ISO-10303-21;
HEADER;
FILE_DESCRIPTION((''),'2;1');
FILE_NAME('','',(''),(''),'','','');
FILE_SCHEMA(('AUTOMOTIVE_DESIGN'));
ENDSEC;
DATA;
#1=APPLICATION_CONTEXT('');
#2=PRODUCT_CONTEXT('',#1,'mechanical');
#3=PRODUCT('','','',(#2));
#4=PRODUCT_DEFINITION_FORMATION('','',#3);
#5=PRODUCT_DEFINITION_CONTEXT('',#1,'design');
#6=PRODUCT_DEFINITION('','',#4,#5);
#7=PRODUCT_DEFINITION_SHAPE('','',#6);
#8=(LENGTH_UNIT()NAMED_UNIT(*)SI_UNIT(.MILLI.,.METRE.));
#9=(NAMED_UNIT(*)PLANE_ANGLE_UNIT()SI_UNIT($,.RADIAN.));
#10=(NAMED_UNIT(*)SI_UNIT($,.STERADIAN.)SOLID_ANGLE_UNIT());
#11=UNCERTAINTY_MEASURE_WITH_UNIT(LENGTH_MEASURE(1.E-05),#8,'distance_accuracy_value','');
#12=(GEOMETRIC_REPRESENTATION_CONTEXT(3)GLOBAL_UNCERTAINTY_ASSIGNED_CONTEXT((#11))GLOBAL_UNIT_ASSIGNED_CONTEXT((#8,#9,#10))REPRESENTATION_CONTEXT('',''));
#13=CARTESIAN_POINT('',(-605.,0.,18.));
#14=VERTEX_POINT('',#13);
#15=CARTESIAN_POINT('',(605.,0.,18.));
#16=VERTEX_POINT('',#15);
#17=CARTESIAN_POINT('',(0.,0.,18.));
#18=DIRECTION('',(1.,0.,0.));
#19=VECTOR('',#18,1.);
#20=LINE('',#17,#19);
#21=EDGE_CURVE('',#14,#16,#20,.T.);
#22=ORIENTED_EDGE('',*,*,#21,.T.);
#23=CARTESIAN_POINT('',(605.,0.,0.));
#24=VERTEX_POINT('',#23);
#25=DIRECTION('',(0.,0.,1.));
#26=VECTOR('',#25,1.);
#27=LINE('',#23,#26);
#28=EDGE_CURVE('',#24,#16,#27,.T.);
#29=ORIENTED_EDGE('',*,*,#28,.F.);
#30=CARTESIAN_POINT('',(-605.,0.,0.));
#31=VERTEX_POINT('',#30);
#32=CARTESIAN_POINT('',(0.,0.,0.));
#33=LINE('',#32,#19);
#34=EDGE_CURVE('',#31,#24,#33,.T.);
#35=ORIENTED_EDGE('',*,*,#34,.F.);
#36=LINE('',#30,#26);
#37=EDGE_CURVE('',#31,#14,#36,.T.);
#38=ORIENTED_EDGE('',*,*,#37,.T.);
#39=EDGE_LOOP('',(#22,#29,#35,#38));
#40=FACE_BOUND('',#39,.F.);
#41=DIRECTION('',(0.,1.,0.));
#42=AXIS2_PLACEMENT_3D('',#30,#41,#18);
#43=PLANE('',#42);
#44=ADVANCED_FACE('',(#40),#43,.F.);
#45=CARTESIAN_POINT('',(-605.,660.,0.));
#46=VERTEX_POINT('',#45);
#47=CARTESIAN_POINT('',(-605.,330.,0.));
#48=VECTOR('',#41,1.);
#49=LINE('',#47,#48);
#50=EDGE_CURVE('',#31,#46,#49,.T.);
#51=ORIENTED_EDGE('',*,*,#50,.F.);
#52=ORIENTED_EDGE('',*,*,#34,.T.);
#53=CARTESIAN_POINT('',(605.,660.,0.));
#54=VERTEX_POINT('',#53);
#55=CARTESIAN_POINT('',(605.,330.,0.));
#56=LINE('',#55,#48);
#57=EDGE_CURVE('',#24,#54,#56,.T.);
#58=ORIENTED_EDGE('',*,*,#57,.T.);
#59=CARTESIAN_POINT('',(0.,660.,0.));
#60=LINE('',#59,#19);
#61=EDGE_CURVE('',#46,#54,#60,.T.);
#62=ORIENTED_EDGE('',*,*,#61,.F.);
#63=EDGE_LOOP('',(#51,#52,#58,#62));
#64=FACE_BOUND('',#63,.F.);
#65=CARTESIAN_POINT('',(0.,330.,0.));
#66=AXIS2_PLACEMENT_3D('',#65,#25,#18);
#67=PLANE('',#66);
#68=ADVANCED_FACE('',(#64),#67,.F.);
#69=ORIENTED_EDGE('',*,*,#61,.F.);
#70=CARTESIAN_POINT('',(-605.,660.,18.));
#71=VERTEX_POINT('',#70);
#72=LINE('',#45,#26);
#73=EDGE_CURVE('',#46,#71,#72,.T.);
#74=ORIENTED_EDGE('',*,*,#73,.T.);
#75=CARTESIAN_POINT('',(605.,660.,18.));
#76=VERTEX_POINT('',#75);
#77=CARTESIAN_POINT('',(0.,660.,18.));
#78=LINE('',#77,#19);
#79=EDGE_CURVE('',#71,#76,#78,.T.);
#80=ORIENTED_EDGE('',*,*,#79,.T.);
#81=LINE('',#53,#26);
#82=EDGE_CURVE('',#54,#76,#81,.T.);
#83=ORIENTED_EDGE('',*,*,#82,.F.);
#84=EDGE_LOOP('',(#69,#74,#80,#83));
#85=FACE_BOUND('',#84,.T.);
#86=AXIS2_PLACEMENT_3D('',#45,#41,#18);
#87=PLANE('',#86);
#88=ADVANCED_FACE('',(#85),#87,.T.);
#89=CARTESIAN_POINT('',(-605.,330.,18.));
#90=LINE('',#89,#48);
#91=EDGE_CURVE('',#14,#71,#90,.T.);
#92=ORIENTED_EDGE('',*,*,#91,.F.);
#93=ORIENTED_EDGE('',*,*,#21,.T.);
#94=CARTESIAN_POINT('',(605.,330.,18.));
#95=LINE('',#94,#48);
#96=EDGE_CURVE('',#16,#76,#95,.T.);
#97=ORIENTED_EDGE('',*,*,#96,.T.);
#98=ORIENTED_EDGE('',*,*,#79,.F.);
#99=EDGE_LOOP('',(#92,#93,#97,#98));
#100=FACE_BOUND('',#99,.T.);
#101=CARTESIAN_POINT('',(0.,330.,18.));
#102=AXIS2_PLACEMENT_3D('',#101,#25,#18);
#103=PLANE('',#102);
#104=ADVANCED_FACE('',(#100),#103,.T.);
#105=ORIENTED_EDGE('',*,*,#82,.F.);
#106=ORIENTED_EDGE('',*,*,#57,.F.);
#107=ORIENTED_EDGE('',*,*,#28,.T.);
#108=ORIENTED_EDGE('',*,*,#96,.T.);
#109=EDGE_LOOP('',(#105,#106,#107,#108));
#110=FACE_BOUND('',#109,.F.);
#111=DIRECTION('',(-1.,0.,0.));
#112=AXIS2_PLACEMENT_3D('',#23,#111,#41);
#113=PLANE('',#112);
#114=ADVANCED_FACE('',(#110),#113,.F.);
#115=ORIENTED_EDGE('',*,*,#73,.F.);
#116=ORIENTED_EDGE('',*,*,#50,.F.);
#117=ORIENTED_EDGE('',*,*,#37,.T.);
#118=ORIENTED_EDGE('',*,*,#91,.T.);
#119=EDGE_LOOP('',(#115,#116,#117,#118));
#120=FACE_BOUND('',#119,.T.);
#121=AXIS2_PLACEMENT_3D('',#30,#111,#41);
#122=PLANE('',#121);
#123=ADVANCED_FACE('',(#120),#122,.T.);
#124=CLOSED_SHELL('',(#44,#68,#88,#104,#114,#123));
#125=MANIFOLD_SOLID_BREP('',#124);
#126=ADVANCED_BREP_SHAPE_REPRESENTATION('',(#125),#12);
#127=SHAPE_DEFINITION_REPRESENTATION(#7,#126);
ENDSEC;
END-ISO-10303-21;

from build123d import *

# Parameters (mm, degrees)
F0_W     = 1210
F0_H     = 660
F1_DEPTH = 18


with BuildPart() as f1:
    # F0 (on Top) → F1 (new body)
    with BuildSketch(Plane.XY):
        with Locations((0, 330)):
            Rectangle(F0_W, F0_H)
        with BuildLine():
            ThreePointArc((-402.5, 525), (-455, 577.5), (-402.5, 630))
            Line((-402.5, 630), (-202.5, 630))
            ThreePointArc((-202.5, 630), (-150, 577.5), (-202.5, 525))
            Line((-202.5, 525), (-402.5, 525))
        make_face(mode=Mode.SUBTRACT)
        with BuildLine():
            ThreePointArc((202.5, 525), (150, 577.5), (202.5, 630))
            Line((202.5, 630), (402.5, 630))
            ThreePointArc((402.5, 630), (455, 577.5), (402.5, 525))
            Line((402.5, 525), (202.5, 525))
        make_face(mode=Mode.SUBTRACT)
        with BuildLine():
            Line((-202.5, 630), (-402.5, 630))
            ThreePointArc((-402.5, 630), (-455, 577.5), (-402.5, 525))
            Line((-402.5, 525), (-202.5, 525))
            ThreePointArc((-202.5, 525), (-150, 577.5), (-202.5, 630))
        make_face()
        with BuildLine():
            Line((402.5, 630), (202.5, 630))
            ThreePointArc((202.5, 630), (150, 577.5), (202.5, 525))
            Line((202.5, 525), (402.5, 525))
            ThreePointArc((402.5, 525), (455, 577.5), (402.5, 630))
        make_face()
    extrude(amount=F1_DEPTH)


solid = f1.part
